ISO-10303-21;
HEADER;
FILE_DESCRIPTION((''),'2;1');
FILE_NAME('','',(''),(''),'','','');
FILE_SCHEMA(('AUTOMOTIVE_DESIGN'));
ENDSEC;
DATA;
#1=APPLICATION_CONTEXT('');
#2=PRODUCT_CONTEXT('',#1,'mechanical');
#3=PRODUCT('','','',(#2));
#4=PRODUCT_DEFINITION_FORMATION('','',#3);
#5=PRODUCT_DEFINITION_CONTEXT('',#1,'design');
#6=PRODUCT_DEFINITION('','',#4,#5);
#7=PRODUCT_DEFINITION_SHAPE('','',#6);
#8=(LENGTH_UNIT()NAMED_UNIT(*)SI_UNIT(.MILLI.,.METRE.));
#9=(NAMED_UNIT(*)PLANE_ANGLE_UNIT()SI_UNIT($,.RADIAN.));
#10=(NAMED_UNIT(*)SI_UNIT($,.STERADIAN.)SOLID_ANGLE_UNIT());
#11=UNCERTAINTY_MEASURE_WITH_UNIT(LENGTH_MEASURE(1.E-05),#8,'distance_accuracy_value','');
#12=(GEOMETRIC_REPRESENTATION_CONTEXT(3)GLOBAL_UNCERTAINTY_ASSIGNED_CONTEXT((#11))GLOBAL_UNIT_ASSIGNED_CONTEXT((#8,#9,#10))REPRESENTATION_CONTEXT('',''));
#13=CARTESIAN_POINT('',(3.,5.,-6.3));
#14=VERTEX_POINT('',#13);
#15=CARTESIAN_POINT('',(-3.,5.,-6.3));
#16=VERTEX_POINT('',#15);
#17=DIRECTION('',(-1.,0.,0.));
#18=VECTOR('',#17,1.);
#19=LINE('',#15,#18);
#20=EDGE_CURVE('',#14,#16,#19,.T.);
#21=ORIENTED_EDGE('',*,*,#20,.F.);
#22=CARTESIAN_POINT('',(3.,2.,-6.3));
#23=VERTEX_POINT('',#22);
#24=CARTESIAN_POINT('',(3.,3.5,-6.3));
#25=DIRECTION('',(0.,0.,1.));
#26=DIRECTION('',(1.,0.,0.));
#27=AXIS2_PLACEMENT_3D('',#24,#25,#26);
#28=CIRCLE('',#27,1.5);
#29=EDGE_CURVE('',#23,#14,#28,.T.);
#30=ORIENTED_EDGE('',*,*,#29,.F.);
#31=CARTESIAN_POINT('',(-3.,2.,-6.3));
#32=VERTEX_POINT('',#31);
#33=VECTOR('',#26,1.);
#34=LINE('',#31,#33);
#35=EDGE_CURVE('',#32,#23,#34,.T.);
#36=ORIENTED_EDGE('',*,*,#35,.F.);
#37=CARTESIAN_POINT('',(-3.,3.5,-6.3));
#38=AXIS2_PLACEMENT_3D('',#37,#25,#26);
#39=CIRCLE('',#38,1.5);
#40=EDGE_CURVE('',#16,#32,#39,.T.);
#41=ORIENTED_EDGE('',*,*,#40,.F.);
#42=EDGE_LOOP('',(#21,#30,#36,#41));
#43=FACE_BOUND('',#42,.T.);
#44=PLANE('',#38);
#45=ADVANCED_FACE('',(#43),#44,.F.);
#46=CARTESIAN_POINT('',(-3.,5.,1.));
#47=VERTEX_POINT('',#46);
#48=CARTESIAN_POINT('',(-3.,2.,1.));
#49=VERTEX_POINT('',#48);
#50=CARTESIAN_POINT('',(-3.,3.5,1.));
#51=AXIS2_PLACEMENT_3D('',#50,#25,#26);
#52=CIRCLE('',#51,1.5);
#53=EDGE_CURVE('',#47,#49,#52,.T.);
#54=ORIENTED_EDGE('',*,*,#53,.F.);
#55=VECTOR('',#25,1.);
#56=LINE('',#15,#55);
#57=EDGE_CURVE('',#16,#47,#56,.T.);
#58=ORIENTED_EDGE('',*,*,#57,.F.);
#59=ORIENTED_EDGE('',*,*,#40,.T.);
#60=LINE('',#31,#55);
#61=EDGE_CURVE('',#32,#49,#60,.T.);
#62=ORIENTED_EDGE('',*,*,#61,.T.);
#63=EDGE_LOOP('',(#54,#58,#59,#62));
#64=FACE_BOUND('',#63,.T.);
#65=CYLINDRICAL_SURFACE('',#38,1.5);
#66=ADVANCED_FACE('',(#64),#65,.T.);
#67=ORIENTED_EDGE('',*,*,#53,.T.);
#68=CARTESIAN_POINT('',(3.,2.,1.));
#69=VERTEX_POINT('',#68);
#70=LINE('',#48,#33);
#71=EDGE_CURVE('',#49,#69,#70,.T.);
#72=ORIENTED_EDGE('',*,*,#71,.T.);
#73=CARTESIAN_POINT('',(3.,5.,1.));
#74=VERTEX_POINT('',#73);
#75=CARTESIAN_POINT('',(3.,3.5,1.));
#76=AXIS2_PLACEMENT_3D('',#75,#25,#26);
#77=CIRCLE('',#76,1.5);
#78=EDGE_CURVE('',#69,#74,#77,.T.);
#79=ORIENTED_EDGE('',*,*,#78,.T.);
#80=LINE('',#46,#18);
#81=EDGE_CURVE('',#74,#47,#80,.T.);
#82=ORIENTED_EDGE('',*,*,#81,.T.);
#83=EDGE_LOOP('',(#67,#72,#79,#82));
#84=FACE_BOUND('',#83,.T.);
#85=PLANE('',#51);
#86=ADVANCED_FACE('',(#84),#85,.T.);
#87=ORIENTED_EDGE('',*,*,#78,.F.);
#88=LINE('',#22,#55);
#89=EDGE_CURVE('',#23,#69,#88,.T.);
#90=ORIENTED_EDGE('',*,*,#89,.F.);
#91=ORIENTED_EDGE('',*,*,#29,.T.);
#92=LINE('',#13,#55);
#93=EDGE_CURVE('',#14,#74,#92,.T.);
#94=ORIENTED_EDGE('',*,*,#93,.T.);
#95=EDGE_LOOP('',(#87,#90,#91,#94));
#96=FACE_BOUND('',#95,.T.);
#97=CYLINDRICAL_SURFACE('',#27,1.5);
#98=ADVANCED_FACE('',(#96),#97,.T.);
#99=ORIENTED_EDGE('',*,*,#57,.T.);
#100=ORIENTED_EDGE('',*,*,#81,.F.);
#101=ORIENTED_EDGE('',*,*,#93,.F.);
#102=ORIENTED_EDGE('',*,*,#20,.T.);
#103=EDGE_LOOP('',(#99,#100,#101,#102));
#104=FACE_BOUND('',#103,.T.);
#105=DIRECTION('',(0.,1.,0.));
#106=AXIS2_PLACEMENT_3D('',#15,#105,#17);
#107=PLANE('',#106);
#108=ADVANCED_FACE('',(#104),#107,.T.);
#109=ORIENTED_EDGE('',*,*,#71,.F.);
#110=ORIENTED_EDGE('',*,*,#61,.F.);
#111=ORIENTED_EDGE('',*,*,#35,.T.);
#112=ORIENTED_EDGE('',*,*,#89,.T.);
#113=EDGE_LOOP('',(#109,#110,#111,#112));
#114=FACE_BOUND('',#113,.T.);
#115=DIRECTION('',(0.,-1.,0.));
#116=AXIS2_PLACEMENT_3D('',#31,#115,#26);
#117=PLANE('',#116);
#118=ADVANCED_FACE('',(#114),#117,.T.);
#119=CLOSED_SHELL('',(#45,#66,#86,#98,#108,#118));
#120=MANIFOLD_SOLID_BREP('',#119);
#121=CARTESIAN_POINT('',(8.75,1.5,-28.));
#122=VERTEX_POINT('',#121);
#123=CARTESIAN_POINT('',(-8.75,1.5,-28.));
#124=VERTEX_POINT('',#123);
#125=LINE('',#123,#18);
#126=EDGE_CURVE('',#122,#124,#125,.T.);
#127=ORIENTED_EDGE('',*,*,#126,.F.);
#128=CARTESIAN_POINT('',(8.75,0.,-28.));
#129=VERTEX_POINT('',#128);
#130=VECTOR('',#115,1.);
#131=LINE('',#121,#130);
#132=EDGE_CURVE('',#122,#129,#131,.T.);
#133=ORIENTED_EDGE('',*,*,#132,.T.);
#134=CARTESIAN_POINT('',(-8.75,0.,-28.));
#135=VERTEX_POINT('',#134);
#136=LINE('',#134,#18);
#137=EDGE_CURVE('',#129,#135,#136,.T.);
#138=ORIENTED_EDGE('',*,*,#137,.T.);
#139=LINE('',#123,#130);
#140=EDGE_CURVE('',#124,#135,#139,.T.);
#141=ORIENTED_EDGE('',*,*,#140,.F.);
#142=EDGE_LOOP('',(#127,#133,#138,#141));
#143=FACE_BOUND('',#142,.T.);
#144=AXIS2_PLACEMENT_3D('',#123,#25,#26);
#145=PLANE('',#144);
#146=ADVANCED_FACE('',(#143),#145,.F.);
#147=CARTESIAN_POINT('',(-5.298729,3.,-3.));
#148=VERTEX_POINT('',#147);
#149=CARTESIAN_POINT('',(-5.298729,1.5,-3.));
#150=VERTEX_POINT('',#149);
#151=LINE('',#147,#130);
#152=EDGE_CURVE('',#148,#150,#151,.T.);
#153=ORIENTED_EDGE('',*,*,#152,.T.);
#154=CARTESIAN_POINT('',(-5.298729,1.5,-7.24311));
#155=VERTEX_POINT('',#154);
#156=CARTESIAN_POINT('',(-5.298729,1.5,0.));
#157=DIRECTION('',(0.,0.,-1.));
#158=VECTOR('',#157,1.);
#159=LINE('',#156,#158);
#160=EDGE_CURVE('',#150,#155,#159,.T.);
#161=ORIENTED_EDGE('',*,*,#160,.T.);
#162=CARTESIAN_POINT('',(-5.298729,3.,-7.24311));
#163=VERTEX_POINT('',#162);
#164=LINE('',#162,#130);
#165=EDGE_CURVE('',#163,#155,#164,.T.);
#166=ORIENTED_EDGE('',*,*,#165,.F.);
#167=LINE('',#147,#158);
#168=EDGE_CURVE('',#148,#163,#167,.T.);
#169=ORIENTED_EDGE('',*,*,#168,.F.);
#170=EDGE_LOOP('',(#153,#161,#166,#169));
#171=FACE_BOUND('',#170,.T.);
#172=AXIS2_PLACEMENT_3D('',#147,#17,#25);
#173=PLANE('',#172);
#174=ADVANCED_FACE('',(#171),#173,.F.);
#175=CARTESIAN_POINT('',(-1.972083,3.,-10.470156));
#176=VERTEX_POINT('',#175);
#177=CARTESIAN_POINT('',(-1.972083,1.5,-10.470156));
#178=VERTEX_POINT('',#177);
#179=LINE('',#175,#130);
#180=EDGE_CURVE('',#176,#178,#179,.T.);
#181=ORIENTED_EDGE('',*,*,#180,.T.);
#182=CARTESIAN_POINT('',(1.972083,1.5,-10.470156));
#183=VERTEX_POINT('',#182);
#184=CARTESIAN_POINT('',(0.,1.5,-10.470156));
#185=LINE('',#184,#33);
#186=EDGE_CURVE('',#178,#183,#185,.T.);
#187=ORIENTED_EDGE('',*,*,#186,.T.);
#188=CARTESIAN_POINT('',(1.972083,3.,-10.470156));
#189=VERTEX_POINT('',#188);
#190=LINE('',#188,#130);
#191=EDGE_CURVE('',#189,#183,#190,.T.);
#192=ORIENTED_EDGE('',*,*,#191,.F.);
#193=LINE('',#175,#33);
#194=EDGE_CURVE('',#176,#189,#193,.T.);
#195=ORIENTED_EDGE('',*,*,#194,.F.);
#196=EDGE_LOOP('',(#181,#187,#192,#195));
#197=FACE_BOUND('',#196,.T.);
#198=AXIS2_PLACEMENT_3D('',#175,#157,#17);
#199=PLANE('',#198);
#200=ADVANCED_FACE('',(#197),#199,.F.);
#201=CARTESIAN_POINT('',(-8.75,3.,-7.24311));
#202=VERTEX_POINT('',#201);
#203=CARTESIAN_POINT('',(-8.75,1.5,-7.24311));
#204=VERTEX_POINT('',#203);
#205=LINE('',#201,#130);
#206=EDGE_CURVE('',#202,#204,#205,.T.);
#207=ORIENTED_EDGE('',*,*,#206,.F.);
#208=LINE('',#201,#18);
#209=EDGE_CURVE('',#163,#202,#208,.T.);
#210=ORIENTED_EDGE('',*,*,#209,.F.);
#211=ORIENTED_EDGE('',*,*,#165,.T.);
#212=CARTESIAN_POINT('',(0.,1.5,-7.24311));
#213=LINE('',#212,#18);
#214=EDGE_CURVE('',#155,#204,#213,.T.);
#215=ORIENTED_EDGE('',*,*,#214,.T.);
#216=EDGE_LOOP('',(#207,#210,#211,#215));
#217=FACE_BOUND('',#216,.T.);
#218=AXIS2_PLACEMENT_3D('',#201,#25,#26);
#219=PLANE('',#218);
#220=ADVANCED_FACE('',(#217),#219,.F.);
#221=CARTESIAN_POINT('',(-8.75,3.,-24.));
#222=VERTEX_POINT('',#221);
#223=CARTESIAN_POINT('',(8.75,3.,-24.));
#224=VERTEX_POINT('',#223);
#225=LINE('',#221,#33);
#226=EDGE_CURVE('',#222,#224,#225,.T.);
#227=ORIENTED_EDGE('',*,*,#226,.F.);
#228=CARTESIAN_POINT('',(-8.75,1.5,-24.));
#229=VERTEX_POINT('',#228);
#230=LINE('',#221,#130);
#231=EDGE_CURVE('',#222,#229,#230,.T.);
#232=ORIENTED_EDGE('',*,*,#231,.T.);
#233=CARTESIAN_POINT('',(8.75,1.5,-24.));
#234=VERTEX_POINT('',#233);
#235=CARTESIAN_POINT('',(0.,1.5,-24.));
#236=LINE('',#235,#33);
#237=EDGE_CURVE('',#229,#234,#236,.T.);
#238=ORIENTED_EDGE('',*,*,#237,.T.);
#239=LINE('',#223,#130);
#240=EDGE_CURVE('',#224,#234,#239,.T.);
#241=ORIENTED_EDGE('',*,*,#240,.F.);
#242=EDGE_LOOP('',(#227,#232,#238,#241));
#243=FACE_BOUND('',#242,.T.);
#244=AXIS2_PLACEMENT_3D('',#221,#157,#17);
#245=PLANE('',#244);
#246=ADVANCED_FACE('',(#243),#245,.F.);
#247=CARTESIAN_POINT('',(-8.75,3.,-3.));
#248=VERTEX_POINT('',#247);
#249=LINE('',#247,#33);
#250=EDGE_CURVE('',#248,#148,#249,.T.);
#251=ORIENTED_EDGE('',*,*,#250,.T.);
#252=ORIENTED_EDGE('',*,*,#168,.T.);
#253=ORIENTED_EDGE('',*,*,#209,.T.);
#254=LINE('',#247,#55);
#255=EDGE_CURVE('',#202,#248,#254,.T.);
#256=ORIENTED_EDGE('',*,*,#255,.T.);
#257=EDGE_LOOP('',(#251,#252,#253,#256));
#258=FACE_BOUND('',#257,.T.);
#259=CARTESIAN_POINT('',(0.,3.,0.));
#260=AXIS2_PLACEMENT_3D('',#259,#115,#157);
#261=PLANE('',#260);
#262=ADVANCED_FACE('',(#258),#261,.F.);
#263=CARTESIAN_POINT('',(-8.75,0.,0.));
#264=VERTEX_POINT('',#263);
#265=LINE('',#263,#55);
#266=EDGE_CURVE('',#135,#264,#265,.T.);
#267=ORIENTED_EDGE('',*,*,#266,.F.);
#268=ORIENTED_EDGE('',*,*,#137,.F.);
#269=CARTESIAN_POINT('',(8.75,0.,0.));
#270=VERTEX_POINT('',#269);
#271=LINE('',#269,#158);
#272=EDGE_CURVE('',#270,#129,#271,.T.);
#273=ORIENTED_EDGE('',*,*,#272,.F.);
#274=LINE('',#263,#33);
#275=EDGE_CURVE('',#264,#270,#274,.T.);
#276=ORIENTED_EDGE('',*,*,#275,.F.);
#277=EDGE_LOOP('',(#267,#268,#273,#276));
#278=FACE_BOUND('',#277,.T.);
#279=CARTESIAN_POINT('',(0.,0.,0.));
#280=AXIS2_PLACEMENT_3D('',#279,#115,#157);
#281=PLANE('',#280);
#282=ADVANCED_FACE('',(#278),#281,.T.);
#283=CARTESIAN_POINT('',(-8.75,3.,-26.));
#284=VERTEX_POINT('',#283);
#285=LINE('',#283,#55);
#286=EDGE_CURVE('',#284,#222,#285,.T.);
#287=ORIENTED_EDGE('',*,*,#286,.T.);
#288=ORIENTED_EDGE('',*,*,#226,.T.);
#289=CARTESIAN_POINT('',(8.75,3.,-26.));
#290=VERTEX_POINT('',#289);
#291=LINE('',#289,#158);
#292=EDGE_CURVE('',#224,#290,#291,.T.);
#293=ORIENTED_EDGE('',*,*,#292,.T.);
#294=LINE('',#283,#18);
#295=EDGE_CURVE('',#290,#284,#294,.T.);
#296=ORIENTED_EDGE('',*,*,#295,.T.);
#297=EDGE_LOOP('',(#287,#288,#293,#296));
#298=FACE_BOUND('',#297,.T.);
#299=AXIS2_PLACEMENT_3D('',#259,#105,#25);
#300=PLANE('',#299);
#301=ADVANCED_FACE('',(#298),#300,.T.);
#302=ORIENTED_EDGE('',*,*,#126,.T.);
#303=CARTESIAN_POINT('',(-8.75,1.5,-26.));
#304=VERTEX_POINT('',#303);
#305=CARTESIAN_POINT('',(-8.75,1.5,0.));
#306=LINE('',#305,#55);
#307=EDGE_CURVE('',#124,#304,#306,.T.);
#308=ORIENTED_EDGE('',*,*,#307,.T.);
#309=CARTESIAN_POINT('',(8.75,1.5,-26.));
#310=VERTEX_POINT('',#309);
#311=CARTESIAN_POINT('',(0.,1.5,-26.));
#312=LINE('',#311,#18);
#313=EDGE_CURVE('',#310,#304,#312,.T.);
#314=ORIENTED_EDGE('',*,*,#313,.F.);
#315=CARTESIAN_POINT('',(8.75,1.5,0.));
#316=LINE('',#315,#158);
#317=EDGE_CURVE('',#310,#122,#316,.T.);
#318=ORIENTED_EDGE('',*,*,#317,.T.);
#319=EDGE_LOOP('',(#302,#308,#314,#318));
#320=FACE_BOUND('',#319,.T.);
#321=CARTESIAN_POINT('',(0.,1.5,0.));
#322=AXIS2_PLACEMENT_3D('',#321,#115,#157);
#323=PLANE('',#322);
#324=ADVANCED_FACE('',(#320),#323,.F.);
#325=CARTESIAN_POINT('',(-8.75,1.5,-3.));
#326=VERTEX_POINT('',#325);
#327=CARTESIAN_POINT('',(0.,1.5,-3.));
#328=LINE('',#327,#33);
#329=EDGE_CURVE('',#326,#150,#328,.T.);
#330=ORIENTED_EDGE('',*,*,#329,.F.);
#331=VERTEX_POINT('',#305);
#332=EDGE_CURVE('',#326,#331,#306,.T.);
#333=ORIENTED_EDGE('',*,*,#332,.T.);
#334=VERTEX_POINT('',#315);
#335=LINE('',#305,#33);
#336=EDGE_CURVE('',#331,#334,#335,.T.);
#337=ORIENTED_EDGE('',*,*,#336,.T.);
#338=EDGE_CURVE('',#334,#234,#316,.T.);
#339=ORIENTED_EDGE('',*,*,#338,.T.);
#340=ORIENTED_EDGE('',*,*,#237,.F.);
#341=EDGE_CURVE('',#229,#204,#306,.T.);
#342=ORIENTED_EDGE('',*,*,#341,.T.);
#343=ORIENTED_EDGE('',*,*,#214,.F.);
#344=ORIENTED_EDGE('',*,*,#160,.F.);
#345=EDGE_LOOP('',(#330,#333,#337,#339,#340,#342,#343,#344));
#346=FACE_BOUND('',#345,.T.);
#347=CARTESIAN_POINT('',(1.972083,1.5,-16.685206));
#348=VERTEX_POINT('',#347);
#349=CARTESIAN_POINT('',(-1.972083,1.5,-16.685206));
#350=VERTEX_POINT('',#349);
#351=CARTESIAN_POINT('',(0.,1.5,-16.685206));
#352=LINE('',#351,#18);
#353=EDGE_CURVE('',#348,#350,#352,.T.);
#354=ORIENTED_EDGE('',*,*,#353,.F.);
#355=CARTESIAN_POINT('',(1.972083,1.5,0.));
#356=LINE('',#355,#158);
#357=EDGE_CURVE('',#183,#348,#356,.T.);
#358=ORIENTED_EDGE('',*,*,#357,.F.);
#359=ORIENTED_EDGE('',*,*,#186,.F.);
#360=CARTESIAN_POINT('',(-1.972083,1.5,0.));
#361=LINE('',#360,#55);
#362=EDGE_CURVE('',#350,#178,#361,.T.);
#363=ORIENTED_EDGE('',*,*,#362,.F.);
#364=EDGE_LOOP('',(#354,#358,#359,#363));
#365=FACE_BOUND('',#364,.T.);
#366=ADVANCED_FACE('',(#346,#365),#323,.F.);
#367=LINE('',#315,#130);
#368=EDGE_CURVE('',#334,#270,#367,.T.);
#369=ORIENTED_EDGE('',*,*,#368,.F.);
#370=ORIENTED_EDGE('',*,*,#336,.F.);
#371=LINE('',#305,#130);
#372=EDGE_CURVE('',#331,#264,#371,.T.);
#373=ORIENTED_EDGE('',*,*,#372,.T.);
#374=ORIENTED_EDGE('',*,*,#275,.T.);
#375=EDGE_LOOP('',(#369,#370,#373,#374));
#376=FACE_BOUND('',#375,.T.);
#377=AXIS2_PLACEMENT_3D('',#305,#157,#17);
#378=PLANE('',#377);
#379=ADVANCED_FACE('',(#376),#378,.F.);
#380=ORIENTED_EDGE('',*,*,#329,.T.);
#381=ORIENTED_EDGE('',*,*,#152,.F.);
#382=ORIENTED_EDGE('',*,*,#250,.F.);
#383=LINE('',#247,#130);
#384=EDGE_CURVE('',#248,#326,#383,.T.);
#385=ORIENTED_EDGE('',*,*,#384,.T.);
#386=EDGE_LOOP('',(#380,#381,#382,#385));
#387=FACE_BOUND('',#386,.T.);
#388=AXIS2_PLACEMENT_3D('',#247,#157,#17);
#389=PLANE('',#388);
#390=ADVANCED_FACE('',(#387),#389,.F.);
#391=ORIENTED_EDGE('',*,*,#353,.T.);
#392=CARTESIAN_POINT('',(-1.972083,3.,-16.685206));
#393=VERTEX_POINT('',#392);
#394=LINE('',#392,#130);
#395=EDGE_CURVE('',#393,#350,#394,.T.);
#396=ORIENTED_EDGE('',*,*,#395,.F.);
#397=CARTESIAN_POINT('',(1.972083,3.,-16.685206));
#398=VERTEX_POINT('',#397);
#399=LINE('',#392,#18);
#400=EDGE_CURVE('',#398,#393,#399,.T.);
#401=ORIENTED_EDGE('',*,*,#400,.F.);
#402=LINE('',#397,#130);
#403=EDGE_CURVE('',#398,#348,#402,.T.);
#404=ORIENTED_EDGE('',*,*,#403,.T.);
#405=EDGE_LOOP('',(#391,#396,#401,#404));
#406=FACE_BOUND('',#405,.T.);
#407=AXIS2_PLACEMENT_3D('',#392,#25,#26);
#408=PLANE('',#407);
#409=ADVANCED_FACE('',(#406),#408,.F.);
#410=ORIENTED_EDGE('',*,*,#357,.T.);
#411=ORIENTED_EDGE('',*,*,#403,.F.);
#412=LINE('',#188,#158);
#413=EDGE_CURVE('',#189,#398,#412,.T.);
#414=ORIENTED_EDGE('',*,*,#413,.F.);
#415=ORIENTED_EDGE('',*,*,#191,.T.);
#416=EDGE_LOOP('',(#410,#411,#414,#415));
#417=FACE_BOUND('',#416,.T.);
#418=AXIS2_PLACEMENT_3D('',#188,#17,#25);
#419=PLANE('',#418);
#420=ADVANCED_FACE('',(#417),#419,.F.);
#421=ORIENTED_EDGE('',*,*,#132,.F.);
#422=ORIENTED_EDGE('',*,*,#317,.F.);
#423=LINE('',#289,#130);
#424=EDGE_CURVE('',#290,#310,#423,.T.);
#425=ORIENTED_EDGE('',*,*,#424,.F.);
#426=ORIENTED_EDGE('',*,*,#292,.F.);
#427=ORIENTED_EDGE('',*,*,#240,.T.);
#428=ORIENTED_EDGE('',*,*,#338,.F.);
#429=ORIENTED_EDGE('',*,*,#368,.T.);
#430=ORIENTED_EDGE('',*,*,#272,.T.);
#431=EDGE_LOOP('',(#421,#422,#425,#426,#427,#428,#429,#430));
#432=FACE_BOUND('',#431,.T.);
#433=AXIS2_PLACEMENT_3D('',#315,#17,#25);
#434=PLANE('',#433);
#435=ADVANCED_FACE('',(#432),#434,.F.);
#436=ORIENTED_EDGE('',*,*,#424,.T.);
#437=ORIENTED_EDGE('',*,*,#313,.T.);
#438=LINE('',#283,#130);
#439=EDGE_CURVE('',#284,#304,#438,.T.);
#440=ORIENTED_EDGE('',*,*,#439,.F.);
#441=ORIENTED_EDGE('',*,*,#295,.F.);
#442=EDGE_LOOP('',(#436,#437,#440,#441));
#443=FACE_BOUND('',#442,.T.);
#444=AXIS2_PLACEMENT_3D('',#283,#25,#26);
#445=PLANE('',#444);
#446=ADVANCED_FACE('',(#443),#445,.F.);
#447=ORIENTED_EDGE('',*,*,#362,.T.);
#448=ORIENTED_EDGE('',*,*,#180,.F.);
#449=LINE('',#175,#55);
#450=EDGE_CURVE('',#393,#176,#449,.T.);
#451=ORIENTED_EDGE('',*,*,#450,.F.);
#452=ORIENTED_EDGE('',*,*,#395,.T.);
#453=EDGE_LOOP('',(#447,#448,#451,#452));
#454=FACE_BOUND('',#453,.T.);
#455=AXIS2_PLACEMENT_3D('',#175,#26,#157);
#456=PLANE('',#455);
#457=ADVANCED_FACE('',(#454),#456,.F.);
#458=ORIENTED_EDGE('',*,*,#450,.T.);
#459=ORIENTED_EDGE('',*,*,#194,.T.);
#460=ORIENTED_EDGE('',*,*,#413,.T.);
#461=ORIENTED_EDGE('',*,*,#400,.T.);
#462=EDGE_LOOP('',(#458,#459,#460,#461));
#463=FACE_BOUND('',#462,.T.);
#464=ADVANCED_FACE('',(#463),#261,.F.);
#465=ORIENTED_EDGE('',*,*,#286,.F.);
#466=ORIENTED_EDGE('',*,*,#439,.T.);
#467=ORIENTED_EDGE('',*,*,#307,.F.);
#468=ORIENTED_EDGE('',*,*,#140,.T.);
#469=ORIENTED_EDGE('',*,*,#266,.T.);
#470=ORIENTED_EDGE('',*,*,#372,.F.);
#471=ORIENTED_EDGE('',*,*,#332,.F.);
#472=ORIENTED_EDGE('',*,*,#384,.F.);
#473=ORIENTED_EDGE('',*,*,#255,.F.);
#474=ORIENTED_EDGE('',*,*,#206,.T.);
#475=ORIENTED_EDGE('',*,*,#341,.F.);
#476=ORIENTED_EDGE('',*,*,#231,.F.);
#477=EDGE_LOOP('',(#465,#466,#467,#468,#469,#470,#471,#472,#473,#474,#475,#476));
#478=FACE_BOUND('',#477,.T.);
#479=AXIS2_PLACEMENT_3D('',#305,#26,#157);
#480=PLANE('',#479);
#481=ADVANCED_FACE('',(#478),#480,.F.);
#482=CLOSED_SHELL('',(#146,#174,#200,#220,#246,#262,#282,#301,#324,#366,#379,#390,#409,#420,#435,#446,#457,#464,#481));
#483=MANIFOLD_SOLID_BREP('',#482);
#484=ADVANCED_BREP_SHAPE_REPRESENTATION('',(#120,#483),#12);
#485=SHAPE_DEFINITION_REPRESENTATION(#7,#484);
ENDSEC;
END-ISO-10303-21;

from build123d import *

# Parameters (mm, degrees)
SKETCH_1_W      = 17.5
SKETCH_1_H      = 28
EXTRUDE_1_DEPTH = 1.5
EXTRUDE_START   = 1
EXTRUDE_2_DEPTH = 7.3
SKETCH_3_W      = 3.944166636
SKETCH_3_H      = 6.215050456
SKETCH_3_W_2    = 3.451271085
SKETCH_3_H_2    = 4.243110314
SKETCH_3_W_3    = 17.5
SKETCH_3_H_3    = 2
EXTRUDE_3_DEPTH = 3


with BuildPart() as part:
    # Эскиз1 → Бобышка-Вытянуть1 (new body)
    with BuildSketch(Plane(origin=(0, 0, 0), x_dir=(1, 0, 0), z_dir=(0, 1, 0))):
        with Locations((0, 14)):
            Rectangle(SKETCH_1_W, SKETCH_1_H)
    extrude(amount=EXTRUDE_1_DEPTH)

    # Эскиз3 → Бобышка-Вытянуть3 (add)
    with BuildSketch(Plane(origin=(0, 0, 0), x_dir=(1, 0, 0), z_dir=(0, 1, 0))):
        with Locations((0, 13.577680972)):
            Rectangle(SKETCH_3_W, SKETCH_3_H)
        with Locations((-7.024364458, 5.121555157)):
            Rectangle(SKETCH_3_W_2, SKETCH_3_H_2)
        with Locations((0, 25)):
            Rectangle(SKETCH_3_W_3, SKETCH_3_H_3)
    extrude(amount=EXTRUDE_3_DEPTH)


with BuildPart() as body_2:
    # Эскиз2 → Бобышка-Вытянуть2 (new body)
    with BuildSketch(Plane.XY.offset(EXTRUDE_START)):
        with BuildLine():
            Line((-3, 5), (3, 5))
            ThreePointArc((3, 5), (4.5, 3.5), (3, 2))
            Line((3, 2), (-3, 2))
            ThreePointArc((-3, 2), (-4.5, 3.5), (-3, 5))
        make_face()
    extrude(amount=-EXTRUDE_2_DEPTH)


solid = Compound([part.part, body_2.part])
